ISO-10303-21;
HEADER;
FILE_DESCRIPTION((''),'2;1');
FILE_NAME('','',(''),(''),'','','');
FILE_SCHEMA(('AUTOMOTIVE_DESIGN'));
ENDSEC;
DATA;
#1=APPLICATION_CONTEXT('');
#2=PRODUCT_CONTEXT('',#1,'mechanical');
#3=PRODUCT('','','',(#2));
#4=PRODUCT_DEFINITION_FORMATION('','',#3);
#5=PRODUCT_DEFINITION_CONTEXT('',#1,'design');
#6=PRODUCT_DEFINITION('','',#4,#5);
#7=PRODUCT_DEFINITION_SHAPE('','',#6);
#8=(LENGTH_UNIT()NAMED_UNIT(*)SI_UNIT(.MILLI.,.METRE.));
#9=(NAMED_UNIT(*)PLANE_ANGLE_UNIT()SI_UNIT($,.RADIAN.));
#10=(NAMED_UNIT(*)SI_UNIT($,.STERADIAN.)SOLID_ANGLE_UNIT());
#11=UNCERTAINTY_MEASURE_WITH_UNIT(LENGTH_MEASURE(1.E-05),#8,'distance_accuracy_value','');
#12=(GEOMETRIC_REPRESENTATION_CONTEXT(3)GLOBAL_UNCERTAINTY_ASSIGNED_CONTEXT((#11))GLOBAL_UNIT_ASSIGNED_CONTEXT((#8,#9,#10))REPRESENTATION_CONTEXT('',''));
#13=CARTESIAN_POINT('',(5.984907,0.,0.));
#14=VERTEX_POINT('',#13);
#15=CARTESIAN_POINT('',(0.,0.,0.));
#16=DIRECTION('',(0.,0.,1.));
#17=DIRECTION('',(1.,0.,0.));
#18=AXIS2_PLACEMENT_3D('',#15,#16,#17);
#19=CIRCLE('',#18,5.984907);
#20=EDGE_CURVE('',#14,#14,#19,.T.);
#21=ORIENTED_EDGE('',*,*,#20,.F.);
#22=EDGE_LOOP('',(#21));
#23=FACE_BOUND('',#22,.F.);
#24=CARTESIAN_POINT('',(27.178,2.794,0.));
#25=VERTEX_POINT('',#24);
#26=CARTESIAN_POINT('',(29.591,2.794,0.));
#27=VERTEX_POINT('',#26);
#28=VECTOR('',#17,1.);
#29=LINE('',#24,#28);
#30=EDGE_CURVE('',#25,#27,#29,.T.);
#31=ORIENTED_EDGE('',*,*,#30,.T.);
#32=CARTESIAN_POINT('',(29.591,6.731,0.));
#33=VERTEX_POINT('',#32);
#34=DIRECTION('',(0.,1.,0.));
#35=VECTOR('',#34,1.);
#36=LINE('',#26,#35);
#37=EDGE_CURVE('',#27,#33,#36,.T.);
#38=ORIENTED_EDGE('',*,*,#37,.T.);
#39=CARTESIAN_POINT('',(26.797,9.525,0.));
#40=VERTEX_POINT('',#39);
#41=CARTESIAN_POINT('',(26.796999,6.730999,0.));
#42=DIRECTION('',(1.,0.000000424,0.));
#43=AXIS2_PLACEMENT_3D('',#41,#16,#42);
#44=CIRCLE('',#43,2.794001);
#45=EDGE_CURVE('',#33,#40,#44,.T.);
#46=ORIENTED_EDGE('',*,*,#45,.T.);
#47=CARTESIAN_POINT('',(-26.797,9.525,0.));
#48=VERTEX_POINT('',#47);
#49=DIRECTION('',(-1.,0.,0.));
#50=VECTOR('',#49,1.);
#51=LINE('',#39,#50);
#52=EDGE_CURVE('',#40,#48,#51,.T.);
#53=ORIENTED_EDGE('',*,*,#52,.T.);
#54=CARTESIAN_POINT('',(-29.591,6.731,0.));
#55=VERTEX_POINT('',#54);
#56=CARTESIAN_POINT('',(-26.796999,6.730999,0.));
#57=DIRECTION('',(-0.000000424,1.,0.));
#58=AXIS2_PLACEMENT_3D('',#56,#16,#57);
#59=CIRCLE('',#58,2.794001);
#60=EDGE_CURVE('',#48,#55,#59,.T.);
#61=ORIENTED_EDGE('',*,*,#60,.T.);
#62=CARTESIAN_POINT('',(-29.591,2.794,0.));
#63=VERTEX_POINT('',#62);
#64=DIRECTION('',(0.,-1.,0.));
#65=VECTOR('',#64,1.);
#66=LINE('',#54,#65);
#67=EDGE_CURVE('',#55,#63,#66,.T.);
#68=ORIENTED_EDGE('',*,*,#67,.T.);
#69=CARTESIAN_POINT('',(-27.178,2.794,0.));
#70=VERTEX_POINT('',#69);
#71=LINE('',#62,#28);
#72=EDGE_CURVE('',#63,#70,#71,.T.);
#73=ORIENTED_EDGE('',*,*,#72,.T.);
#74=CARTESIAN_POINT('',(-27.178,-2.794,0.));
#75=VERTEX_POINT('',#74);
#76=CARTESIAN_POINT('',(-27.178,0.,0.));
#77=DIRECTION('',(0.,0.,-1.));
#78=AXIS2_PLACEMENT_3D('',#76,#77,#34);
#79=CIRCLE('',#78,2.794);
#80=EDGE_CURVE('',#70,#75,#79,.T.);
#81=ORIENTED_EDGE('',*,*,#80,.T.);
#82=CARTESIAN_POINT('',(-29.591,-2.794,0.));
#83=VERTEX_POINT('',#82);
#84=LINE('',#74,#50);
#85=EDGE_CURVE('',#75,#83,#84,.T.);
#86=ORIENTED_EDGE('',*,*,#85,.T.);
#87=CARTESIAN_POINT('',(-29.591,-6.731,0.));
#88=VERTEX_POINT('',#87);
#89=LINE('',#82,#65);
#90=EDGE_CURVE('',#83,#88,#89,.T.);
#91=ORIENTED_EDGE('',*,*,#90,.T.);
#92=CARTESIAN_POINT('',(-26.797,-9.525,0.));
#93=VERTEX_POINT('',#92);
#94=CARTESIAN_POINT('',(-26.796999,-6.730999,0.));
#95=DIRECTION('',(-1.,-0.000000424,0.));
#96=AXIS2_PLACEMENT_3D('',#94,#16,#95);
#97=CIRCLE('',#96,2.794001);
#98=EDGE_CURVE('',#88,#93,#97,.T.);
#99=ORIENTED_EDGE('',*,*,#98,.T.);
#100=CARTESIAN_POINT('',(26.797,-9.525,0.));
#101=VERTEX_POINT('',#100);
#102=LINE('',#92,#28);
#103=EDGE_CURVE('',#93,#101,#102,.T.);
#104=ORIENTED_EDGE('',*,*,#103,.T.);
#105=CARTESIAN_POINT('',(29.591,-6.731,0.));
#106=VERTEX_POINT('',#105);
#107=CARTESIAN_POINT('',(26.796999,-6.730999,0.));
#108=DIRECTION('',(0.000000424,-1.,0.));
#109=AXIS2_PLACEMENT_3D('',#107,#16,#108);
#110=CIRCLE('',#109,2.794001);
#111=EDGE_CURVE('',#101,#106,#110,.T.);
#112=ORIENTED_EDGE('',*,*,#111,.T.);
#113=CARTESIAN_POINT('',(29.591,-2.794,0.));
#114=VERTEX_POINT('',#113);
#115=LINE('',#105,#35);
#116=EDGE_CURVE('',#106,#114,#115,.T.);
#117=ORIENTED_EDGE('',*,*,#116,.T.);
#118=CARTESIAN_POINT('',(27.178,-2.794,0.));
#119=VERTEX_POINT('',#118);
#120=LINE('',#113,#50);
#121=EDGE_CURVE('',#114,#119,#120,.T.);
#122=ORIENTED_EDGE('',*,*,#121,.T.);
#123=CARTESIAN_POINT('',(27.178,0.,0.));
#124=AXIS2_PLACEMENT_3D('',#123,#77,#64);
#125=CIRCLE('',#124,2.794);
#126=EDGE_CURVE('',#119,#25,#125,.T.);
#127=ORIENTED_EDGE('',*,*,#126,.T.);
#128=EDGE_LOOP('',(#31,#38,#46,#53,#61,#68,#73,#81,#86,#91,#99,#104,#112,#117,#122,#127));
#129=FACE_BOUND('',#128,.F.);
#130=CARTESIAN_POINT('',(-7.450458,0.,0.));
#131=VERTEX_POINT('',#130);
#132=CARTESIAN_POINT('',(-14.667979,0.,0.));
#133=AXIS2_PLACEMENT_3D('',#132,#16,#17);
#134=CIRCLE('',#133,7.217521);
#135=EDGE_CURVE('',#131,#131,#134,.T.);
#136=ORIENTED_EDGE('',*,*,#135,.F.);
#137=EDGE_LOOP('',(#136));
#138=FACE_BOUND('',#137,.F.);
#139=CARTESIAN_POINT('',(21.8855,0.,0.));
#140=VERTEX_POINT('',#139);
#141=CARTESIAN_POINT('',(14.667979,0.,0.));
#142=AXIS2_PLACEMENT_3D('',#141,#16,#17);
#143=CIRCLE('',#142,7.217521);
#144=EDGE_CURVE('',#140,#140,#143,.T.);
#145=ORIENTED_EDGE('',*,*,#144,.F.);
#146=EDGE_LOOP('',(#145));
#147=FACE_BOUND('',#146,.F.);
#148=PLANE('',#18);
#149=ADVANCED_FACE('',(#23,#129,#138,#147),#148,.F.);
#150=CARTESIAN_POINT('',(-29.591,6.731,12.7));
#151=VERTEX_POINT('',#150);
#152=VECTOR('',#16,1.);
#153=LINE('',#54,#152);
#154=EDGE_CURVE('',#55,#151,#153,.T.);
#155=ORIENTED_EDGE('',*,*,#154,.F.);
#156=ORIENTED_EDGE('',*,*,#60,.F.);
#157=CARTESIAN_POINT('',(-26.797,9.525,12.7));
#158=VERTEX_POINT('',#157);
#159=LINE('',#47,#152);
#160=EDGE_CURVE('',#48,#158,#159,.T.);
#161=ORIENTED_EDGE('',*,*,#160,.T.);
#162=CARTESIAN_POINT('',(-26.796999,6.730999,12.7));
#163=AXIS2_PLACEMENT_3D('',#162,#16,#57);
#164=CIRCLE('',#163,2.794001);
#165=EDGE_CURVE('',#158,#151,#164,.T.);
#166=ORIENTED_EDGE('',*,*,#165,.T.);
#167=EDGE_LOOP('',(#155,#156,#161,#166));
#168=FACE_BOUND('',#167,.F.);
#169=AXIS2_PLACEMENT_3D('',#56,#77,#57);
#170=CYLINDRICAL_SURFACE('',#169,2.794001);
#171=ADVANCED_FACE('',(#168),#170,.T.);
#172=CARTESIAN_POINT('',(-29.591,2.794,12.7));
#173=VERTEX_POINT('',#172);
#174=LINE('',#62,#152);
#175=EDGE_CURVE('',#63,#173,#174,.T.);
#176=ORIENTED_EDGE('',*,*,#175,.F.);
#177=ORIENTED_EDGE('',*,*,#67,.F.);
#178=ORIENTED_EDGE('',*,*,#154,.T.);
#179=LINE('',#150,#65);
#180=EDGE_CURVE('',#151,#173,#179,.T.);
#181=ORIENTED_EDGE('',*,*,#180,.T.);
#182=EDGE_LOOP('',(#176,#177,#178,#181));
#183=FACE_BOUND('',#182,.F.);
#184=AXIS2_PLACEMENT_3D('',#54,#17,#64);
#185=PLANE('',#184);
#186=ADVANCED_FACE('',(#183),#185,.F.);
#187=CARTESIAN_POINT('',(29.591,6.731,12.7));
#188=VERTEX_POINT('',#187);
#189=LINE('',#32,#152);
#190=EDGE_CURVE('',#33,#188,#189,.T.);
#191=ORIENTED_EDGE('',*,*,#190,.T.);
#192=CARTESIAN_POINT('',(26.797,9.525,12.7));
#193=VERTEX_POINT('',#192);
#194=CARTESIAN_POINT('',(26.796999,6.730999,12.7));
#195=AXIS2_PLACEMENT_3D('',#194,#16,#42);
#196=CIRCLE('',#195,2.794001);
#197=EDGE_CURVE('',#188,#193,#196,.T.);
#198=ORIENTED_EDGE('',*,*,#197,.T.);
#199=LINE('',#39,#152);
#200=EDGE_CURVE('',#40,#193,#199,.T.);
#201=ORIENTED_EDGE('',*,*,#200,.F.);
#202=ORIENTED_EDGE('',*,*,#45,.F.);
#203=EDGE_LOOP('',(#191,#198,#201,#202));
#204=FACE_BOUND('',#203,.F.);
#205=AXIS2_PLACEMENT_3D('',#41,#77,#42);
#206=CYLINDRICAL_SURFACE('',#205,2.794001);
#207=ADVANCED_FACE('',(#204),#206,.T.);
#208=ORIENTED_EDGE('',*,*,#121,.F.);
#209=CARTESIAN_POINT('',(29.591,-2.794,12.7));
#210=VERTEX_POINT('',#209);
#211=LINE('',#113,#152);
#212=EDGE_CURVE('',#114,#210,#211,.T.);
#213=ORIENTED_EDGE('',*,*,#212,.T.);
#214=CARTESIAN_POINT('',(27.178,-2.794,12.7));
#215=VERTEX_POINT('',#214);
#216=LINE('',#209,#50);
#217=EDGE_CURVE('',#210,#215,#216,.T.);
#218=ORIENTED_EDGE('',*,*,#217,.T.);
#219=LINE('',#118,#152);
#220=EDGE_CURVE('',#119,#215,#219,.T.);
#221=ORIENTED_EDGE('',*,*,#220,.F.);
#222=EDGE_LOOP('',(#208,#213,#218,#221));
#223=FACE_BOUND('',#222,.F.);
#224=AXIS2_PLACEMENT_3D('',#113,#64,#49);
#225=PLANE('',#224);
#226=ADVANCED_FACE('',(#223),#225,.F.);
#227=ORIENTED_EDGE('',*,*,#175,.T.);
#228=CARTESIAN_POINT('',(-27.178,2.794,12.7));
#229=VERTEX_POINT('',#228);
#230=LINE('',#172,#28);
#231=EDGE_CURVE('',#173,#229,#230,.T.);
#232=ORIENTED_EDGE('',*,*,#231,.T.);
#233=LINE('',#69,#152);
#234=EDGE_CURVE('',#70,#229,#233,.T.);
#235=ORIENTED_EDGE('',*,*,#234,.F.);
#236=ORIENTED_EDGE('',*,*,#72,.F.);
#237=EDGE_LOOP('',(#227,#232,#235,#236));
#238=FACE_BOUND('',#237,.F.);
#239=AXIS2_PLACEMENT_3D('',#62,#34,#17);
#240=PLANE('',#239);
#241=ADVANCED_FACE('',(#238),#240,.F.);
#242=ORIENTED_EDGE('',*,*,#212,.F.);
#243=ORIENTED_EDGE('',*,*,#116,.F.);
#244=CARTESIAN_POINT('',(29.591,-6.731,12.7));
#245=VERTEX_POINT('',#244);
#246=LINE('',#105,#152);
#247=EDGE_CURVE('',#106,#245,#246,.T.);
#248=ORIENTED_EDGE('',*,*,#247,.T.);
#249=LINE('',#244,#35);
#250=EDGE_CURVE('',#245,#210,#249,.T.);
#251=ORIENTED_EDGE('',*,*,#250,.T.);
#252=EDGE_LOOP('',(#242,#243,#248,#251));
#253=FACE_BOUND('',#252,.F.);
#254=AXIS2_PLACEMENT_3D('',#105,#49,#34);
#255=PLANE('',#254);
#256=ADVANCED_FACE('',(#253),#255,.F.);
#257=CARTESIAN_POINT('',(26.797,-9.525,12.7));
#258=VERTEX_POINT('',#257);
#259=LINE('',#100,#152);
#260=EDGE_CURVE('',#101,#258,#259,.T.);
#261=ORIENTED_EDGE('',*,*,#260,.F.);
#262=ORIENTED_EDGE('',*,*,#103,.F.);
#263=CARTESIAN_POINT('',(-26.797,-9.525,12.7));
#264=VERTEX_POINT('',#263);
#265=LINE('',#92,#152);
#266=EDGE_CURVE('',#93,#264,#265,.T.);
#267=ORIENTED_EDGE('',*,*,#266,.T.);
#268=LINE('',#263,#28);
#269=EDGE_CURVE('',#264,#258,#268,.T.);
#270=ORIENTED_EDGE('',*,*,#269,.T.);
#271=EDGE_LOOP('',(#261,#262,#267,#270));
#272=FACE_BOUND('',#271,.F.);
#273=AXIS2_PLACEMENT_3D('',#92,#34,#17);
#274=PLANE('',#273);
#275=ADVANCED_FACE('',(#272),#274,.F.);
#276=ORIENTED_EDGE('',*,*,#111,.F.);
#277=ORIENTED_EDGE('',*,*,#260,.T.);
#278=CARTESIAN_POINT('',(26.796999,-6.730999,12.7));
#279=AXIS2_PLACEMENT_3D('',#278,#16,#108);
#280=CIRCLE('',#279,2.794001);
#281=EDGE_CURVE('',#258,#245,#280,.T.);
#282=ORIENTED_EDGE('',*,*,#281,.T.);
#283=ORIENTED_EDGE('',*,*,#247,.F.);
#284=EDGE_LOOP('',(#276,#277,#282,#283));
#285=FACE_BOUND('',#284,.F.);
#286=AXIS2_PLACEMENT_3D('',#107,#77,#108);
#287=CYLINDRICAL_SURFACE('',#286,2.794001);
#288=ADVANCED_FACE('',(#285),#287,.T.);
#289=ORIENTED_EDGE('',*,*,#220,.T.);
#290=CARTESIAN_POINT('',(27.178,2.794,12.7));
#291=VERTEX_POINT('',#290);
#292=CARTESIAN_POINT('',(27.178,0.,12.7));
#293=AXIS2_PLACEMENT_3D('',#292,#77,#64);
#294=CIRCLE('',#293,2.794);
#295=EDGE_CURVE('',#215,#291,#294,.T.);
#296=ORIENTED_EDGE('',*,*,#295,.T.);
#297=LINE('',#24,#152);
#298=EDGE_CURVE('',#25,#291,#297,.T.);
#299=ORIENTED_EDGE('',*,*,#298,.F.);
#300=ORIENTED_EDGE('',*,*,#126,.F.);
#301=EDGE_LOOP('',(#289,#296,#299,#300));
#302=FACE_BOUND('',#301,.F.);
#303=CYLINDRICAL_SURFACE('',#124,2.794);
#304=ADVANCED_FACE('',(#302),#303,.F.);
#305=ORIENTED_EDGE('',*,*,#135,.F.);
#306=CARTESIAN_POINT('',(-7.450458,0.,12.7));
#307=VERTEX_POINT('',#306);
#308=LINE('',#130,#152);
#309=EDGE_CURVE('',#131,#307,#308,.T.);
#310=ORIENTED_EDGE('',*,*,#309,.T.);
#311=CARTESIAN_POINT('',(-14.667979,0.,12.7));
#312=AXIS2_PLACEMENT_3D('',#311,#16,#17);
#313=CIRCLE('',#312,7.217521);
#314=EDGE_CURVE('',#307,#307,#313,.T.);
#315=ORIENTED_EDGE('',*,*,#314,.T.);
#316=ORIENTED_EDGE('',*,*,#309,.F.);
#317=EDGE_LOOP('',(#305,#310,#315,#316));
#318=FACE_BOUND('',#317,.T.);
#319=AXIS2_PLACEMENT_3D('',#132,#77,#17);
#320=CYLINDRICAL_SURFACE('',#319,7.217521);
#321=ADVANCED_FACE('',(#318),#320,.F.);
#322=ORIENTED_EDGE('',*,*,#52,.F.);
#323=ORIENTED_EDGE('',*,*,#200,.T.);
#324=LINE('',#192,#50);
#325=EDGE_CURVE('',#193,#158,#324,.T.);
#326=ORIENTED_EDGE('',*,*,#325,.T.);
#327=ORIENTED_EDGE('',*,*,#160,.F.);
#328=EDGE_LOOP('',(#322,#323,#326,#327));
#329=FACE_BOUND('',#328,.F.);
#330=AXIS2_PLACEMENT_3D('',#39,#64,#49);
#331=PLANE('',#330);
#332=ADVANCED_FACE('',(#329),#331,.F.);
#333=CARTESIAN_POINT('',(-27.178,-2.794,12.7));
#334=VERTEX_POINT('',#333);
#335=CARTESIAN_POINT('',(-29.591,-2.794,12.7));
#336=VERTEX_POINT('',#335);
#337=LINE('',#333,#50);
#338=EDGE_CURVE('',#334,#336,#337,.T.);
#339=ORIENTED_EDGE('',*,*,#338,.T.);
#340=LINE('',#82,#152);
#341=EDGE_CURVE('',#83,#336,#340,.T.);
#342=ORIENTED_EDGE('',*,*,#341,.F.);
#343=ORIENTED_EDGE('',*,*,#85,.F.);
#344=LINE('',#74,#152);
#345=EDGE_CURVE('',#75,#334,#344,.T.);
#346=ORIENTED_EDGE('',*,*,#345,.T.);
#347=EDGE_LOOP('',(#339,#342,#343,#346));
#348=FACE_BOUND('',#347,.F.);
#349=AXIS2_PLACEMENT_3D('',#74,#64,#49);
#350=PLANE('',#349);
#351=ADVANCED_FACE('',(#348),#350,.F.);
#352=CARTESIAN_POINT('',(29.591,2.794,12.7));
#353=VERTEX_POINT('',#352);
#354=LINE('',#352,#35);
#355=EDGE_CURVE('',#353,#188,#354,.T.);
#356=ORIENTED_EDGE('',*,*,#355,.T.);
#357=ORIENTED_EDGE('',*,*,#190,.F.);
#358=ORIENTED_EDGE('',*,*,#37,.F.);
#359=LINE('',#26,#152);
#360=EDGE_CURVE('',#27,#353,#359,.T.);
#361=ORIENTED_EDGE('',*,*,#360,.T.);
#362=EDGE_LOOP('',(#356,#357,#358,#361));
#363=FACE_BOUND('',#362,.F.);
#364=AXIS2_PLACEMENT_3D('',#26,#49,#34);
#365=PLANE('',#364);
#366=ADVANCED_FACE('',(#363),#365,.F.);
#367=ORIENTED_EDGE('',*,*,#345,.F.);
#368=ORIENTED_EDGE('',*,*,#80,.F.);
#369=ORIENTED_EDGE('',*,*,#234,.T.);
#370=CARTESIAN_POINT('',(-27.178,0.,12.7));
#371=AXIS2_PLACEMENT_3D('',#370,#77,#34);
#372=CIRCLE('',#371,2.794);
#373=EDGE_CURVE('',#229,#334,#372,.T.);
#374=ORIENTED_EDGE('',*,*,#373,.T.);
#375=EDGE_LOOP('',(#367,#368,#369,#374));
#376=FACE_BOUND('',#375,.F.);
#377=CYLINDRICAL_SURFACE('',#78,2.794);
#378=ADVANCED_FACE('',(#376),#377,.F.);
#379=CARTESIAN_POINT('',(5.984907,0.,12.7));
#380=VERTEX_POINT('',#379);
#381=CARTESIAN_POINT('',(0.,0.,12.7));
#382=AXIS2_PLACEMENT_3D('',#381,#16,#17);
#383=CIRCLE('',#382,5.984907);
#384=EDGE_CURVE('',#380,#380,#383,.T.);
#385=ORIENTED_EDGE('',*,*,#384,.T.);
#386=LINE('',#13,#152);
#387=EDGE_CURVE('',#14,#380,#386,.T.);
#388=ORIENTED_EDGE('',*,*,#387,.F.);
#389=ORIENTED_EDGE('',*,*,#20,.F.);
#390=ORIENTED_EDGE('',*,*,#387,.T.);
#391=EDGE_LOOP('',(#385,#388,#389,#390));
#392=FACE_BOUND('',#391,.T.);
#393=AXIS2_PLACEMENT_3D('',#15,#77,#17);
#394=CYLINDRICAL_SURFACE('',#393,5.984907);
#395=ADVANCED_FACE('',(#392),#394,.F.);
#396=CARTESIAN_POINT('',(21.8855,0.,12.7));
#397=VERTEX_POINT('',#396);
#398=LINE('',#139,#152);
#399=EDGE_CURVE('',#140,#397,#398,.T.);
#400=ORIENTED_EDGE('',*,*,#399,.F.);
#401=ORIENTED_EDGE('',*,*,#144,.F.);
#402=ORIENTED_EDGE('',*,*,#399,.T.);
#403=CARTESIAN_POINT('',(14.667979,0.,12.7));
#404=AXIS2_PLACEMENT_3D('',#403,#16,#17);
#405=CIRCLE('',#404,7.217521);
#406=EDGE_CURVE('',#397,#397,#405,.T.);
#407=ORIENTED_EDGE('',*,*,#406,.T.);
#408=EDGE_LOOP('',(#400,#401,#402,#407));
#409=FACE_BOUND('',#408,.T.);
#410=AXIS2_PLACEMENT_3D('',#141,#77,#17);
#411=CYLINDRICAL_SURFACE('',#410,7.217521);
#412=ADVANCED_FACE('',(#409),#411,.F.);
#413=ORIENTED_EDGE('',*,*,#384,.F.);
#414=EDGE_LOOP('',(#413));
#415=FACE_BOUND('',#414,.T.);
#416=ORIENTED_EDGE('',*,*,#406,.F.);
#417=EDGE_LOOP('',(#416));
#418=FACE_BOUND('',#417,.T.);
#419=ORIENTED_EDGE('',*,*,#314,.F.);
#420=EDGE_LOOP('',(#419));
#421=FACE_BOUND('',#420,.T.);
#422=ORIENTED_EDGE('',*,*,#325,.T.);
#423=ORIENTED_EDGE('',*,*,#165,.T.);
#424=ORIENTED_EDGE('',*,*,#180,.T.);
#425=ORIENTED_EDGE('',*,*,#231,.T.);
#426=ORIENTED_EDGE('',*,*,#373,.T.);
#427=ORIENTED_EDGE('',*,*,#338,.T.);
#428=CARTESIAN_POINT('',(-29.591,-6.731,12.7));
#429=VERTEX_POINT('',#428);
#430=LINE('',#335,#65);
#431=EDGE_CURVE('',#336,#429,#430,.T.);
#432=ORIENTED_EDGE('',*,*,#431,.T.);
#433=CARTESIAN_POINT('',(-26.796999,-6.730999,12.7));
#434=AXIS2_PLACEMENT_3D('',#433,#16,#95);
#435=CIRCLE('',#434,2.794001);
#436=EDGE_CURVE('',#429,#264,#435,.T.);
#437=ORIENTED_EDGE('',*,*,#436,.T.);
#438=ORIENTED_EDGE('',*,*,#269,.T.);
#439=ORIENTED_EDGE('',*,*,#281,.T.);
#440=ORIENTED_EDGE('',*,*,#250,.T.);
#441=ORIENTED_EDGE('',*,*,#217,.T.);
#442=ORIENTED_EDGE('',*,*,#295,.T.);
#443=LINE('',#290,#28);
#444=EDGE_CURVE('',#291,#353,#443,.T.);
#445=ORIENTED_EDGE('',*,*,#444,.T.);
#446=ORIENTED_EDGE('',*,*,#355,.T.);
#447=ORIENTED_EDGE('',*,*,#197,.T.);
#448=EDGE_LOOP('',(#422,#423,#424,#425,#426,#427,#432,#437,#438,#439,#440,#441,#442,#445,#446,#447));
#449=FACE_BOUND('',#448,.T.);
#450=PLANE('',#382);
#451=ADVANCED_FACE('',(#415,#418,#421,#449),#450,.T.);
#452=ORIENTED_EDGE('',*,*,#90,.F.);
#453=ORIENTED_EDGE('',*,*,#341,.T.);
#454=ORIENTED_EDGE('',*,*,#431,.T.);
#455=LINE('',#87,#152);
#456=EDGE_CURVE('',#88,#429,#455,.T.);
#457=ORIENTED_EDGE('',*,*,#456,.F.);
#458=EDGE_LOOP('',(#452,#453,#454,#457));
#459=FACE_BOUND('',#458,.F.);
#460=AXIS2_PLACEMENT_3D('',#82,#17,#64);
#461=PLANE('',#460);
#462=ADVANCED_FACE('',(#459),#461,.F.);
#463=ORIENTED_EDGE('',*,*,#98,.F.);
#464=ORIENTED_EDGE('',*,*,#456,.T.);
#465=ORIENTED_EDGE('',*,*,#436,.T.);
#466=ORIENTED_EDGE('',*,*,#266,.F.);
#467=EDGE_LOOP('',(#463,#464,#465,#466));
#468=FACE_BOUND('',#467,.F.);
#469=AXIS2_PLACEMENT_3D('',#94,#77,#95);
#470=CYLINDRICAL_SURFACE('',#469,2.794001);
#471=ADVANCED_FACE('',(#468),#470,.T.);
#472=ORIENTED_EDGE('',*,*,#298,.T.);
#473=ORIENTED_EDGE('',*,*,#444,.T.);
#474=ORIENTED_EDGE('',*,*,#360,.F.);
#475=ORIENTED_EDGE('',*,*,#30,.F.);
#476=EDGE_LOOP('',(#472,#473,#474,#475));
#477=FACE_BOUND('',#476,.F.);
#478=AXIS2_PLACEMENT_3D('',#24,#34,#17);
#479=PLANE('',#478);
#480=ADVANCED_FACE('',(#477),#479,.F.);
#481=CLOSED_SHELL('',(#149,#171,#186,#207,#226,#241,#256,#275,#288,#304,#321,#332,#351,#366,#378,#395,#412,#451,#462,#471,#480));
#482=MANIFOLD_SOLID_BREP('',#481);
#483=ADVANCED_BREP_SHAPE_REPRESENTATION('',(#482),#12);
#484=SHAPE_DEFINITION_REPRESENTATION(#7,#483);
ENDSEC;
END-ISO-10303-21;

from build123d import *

# Parameters (mm, degrees)
F0_R     = 7.217521
F0_R_2   = 5.984907
F1_DEPTH = 12.7


with BuildPart() as f1:
    # F0 (on Top) → F1 (new body)
    with BuildSketch(Plane.XY):
        with BuildLine():
            ThreePointArc((-29.591, -6.731), (-28.772656, -8.706656), (-26.797, -9.525))
            Line((-26.797, -9.525), (26.797, -9.525))
            ThreePointArc((26.797, -9.525), (28.772656, -8.706656), (29.591, -6.731))
            Line((29.591, -6.731), (29.591, -2.794))
            Line((29.591, -2.794), (27.178, -2.794))
            ThreePointArc((27.178, -2.794), (24.384, 0), (27.178, 2.794))
            Line((27.178, 2.794), (29.591, 2.794))
            Line((29.591, 2.794), (29.591, 6.731))
            ThreePointArc((29.591, 6.731), (28.772656, 8.706656), (26.797, 9.525))
            Line((26.797, 9.525), (-26.797, 9.525))
            ThreePointArc((-26.797, 9.525), (-28.772656, 8.706656), (-29.591, 6.731))
            Line((-29.591, 6.731), (-29.591, 2.794))
            Line((-29.591, 2.794), (-27.178, 2.794))
            ThreePointArc((-27.178, 2.794), (-24.384, 0), (-27.178, -2.794))
            Line((-27.178, -2.794), (-29.591, -2.794))
            Line((-29.591, -2.794), (-29.591, -6.731))
        make_face()
        with Locations((-14.667979, 0)):
            Circle(F0_R, mode=Mode.SUBTRACT)
        Circle(F0_R_2, mode=Mode.SUBTRACT)
        with Locations((14.667979, 0)):
            Circle(F0_R, mode=Mode.SUBTRACT)
    extrude(amount=F1_DEPTH)


solid = f1.part
